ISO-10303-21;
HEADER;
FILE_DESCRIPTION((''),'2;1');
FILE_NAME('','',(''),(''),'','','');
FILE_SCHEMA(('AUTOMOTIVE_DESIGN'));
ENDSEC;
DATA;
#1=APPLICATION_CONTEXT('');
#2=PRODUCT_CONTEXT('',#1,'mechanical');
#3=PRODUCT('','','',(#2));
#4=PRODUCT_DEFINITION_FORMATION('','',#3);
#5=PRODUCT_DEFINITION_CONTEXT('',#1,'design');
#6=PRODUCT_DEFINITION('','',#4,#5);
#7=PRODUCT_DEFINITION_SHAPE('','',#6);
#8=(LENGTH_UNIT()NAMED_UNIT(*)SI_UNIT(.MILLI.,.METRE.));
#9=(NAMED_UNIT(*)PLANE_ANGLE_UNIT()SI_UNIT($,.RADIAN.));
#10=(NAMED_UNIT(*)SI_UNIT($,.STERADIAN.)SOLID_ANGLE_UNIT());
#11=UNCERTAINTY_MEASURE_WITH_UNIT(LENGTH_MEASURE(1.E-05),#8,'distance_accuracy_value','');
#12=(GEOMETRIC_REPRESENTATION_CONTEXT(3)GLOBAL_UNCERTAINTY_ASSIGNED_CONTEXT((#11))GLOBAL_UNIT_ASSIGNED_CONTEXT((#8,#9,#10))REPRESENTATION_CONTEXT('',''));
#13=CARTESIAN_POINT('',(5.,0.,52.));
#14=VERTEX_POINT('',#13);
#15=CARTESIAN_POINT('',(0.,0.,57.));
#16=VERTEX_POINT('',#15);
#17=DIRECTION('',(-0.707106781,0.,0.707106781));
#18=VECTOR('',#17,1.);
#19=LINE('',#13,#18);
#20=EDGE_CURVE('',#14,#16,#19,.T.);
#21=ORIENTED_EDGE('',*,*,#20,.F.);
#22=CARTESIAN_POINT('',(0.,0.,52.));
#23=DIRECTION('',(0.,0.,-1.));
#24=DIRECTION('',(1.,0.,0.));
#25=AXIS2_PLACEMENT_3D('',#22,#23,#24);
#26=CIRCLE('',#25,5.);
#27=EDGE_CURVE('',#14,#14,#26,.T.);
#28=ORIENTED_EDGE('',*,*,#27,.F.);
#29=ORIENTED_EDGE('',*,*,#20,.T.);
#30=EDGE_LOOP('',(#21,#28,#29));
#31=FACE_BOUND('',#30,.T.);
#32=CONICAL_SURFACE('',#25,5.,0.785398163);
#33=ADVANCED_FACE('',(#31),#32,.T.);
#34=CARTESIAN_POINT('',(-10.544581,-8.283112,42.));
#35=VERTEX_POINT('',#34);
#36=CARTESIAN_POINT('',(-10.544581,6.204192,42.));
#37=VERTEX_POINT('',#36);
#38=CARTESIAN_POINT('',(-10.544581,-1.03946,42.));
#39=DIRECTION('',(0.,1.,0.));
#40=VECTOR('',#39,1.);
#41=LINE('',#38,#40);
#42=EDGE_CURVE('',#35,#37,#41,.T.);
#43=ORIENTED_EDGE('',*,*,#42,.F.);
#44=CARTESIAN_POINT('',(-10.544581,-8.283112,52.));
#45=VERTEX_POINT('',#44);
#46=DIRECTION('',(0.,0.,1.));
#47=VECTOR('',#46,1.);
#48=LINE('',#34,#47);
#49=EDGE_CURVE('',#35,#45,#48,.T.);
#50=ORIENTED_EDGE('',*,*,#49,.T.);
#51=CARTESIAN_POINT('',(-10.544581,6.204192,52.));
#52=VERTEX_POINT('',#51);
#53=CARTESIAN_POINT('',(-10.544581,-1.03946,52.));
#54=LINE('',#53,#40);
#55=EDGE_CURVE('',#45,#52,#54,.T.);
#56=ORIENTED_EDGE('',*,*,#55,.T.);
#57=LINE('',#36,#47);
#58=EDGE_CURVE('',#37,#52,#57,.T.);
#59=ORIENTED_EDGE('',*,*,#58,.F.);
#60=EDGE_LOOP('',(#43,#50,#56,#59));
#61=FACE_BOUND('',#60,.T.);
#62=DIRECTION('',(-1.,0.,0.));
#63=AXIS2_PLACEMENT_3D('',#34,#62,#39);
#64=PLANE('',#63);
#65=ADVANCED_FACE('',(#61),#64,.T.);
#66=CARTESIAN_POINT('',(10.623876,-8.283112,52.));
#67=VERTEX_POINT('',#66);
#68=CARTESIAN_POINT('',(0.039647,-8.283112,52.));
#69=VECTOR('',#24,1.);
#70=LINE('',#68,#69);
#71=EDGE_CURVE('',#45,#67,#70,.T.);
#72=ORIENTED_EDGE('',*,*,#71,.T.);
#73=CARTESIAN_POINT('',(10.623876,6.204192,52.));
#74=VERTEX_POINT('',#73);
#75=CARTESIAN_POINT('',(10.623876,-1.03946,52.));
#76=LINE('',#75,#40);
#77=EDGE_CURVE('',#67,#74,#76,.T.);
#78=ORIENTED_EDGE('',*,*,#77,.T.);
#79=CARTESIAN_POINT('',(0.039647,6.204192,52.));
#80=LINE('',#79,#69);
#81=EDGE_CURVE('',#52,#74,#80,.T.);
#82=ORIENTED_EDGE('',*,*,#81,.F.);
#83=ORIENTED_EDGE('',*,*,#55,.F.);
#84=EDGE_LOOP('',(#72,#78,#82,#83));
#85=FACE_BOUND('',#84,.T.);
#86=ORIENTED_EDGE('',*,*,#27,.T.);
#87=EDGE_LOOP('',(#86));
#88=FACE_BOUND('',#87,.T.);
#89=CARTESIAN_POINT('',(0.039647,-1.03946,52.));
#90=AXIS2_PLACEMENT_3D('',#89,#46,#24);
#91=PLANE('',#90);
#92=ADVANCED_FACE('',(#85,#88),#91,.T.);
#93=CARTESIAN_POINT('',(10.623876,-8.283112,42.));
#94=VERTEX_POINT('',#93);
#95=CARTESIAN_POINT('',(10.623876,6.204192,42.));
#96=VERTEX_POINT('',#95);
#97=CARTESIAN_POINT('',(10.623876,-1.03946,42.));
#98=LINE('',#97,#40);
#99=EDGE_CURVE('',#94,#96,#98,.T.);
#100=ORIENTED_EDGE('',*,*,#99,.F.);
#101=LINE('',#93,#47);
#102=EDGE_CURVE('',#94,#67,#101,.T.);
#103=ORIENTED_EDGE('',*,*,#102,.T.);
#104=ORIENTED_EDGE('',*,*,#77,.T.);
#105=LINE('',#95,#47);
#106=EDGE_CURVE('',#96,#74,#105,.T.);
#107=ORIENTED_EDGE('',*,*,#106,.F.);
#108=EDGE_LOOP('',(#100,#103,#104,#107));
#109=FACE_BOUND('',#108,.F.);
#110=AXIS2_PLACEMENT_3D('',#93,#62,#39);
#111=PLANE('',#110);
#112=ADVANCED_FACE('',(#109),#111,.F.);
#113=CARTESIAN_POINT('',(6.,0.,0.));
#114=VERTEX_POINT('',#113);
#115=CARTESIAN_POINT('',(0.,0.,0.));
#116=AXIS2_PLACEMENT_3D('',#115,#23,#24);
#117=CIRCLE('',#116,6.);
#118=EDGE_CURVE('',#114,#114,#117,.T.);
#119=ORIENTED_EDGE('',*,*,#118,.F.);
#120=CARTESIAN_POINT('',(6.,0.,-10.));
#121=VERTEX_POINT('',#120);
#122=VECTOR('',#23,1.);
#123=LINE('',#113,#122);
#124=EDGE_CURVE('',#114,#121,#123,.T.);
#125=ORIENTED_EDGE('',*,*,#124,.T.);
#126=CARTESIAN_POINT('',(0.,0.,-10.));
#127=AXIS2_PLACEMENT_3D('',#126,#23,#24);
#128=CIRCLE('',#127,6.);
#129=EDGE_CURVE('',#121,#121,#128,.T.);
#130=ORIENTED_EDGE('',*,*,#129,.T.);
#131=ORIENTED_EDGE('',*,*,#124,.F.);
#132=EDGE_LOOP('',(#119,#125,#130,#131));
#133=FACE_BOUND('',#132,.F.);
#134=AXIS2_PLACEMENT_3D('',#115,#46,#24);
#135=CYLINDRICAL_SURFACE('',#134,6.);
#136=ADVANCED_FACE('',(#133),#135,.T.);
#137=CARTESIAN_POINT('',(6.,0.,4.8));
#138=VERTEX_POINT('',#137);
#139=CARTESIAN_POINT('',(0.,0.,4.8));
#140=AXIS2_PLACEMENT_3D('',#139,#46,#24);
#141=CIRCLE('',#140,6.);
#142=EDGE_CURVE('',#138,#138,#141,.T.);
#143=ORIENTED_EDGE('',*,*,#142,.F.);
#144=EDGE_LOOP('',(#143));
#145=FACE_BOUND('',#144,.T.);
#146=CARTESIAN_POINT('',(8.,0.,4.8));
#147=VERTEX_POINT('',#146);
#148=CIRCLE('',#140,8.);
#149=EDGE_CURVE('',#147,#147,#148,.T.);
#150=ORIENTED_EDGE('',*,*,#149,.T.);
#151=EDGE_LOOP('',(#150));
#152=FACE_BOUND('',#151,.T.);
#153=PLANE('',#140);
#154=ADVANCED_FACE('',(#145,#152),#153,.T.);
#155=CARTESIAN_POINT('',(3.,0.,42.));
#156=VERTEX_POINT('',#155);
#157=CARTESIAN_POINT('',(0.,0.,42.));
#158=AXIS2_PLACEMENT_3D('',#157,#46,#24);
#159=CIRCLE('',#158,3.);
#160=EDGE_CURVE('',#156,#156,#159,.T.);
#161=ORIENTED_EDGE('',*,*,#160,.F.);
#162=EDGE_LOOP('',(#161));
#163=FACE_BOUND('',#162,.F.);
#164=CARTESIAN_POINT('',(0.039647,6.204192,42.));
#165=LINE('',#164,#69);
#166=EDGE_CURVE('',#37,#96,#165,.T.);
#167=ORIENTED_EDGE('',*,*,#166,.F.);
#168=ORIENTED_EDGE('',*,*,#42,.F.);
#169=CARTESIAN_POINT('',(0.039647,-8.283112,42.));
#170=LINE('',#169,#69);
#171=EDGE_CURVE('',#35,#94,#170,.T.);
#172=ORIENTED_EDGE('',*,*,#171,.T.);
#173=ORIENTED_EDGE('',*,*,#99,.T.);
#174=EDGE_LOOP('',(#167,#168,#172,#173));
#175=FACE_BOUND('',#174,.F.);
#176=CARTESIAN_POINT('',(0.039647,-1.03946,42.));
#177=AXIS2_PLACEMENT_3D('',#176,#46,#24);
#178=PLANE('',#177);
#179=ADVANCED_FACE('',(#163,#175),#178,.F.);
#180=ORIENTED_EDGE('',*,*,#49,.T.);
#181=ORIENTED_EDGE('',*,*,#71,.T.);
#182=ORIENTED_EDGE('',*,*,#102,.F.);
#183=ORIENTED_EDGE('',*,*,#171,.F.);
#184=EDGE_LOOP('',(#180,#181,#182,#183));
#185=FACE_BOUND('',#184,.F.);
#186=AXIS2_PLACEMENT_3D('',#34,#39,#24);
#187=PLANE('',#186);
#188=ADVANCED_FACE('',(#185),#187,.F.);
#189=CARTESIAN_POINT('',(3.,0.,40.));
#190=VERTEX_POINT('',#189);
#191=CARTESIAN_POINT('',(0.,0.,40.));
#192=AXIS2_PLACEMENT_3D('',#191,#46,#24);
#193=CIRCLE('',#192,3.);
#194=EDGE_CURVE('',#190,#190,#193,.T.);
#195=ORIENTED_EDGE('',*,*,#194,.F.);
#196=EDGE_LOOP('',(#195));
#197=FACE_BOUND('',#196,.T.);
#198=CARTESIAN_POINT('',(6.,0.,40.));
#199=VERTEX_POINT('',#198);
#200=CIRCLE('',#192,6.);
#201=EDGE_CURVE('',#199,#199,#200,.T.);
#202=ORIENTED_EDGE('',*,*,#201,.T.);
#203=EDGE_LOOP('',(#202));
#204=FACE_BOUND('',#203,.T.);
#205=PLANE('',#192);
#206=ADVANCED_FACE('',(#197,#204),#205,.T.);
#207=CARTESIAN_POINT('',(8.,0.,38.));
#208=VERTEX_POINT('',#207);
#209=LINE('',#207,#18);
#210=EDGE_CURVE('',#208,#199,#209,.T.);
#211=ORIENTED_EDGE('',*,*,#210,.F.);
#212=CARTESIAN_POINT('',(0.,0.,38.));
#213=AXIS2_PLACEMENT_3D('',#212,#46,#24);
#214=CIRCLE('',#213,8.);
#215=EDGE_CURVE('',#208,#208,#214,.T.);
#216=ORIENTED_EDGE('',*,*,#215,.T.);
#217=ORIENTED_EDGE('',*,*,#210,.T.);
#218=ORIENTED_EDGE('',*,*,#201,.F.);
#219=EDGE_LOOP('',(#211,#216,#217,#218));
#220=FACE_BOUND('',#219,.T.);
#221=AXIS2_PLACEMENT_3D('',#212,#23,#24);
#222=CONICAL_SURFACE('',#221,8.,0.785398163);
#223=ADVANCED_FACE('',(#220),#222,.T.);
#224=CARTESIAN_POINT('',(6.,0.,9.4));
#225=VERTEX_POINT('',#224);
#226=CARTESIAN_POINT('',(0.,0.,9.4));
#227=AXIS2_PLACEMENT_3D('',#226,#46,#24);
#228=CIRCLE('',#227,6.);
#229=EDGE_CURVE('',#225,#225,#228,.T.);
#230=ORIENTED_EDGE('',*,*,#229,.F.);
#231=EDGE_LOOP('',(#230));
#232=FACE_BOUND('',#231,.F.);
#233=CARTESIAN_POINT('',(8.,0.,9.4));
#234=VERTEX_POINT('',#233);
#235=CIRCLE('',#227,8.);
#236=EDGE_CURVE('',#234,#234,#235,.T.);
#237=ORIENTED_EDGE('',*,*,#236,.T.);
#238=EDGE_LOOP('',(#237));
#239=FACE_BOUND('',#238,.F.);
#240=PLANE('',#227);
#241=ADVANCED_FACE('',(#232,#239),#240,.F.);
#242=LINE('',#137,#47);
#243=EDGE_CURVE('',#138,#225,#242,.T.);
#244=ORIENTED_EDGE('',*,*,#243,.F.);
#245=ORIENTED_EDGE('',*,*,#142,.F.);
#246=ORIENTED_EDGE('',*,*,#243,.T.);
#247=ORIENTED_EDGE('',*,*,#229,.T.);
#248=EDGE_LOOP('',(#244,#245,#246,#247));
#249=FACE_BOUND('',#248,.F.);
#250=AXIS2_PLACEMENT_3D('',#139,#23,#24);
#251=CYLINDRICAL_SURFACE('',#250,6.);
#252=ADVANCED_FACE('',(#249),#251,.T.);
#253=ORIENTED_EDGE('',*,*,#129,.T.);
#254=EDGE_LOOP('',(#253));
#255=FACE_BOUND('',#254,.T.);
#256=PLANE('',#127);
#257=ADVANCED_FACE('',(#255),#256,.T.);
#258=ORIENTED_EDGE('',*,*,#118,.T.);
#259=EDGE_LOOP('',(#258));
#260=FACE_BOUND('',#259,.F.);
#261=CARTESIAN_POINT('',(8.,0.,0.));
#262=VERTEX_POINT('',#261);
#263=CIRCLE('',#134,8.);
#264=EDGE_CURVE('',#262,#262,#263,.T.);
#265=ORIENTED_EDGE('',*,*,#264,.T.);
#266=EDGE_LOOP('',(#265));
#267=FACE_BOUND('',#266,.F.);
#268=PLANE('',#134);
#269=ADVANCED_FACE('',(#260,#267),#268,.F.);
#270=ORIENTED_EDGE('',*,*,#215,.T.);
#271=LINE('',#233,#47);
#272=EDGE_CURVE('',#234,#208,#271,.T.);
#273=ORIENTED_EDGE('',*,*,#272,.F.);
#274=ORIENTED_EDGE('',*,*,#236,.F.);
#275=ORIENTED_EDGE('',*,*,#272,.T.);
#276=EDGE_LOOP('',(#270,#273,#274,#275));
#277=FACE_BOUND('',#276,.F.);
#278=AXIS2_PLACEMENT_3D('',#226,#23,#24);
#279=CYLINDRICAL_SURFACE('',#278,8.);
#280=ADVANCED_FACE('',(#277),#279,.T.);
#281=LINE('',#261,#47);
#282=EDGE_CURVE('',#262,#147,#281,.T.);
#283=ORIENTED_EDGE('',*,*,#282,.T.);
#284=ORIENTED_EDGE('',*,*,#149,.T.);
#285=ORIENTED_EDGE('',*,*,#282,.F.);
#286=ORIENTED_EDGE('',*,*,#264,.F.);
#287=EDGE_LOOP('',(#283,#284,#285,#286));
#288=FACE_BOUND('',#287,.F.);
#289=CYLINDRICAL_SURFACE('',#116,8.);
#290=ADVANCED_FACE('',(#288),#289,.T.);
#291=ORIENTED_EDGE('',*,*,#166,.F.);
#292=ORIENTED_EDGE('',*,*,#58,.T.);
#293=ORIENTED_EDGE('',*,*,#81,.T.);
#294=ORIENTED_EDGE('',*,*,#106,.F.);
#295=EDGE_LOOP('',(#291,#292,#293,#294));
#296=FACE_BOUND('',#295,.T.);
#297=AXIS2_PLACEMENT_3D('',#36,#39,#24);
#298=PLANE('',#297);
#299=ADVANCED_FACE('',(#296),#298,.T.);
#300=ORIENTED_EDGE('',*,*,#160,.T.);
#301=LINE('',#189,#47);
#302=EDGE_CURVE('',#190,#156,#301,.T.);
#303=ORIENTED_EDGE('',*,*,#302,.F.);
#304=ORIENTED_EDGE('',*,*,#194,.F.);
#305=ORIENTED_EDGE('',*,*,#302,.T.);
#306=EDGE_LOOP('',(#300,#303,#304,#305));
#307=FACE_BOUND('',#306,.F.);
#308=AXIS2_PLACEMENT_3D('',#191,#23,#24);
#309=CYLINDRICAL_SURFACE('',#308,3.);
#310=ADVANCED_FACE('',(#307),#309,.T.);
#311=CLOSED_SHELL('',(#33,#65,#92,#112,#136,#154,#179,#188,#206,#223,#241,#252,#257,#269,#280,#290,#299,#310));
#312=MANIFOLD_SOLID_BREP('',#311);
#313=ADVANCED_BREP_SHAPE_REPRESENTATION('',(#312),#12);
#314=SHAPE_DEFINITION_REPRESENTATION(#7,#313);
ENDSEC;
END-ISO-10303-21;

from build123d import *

# Parameters (mm, degrees)
F0_R      = 8
F1_DEPTH  = 4.8
F2_R      = 6
F3_DEPTH  = 4.6
F4_R      = 8
F5_DEPTH  = 30.6
F6_SIZE   = 2
F7_R      = 3
F8_DEPTH  = 2
F9_W      = 21.1684573442
F9_H      = 14.4873037934
F10_DEPTH = 10
F11_R     = 5
F12_DEPTH = 5
F12_TAPER = 45
F13_R     = 6
F14_DEPTH = 10


with BuildPart() as f1:
    # F0 (on Top) → F1 (new body)
    with BuildSketch(Plane.XY):
        Circle(F0_R)
    extrude(amount=F1_DEPTH)

    # F2 (on face) → F3 (join)
    with BuildSketch(Plane.XY.offset(4.8)):
        Circle(F2_R)
    extrude(amount=F3_DEPTH)

    # F4 (on face) → F5 (join)
    with BuildSketch(Plane.XY.offset(9.4)):
        Circle(F4_R)
    extrude(amount=F5_DEPTH)

    # F6
    f6_edges = [f1.edges().sort_by_distance(p)[0] for p in [
        (-8, 0, 40),
    ]]
    chamfer(f6_edges, length=F6_SIZE)

    # F7 (on face) → F8 (join)
    with BuildSketch(Plane.XY.offset(40)):
        Circle(F7_R)
    extrude(amount=F8_DEPTH)

    # F9 (on face) → F10 (join)
    with BuildSketch(Plane.XY.offset(42)):
        with Locations((0.0396473333, -1.0394603014)):
            Rectangle(F9_W, F9_H)
    extrude(amount=F10_DEPTH)

    # F11 (on face) → F12 (join)
    with BuildSketch(Plane.XY.offset(52)):
        Circle(F11_R)
    extrude(amount=F12_DEPTH, taper=F12_TAPER)

    # F13 (on face) → F14 (join)
    with BuildSketch(Plane(origin=(0, 0, 0), x_dir=(1, 0, 0), z_dir=(0, 0, -1))):
        Circle(F13_R)
    extrude(amount=F14_DEPTH)


solid = f1.part
